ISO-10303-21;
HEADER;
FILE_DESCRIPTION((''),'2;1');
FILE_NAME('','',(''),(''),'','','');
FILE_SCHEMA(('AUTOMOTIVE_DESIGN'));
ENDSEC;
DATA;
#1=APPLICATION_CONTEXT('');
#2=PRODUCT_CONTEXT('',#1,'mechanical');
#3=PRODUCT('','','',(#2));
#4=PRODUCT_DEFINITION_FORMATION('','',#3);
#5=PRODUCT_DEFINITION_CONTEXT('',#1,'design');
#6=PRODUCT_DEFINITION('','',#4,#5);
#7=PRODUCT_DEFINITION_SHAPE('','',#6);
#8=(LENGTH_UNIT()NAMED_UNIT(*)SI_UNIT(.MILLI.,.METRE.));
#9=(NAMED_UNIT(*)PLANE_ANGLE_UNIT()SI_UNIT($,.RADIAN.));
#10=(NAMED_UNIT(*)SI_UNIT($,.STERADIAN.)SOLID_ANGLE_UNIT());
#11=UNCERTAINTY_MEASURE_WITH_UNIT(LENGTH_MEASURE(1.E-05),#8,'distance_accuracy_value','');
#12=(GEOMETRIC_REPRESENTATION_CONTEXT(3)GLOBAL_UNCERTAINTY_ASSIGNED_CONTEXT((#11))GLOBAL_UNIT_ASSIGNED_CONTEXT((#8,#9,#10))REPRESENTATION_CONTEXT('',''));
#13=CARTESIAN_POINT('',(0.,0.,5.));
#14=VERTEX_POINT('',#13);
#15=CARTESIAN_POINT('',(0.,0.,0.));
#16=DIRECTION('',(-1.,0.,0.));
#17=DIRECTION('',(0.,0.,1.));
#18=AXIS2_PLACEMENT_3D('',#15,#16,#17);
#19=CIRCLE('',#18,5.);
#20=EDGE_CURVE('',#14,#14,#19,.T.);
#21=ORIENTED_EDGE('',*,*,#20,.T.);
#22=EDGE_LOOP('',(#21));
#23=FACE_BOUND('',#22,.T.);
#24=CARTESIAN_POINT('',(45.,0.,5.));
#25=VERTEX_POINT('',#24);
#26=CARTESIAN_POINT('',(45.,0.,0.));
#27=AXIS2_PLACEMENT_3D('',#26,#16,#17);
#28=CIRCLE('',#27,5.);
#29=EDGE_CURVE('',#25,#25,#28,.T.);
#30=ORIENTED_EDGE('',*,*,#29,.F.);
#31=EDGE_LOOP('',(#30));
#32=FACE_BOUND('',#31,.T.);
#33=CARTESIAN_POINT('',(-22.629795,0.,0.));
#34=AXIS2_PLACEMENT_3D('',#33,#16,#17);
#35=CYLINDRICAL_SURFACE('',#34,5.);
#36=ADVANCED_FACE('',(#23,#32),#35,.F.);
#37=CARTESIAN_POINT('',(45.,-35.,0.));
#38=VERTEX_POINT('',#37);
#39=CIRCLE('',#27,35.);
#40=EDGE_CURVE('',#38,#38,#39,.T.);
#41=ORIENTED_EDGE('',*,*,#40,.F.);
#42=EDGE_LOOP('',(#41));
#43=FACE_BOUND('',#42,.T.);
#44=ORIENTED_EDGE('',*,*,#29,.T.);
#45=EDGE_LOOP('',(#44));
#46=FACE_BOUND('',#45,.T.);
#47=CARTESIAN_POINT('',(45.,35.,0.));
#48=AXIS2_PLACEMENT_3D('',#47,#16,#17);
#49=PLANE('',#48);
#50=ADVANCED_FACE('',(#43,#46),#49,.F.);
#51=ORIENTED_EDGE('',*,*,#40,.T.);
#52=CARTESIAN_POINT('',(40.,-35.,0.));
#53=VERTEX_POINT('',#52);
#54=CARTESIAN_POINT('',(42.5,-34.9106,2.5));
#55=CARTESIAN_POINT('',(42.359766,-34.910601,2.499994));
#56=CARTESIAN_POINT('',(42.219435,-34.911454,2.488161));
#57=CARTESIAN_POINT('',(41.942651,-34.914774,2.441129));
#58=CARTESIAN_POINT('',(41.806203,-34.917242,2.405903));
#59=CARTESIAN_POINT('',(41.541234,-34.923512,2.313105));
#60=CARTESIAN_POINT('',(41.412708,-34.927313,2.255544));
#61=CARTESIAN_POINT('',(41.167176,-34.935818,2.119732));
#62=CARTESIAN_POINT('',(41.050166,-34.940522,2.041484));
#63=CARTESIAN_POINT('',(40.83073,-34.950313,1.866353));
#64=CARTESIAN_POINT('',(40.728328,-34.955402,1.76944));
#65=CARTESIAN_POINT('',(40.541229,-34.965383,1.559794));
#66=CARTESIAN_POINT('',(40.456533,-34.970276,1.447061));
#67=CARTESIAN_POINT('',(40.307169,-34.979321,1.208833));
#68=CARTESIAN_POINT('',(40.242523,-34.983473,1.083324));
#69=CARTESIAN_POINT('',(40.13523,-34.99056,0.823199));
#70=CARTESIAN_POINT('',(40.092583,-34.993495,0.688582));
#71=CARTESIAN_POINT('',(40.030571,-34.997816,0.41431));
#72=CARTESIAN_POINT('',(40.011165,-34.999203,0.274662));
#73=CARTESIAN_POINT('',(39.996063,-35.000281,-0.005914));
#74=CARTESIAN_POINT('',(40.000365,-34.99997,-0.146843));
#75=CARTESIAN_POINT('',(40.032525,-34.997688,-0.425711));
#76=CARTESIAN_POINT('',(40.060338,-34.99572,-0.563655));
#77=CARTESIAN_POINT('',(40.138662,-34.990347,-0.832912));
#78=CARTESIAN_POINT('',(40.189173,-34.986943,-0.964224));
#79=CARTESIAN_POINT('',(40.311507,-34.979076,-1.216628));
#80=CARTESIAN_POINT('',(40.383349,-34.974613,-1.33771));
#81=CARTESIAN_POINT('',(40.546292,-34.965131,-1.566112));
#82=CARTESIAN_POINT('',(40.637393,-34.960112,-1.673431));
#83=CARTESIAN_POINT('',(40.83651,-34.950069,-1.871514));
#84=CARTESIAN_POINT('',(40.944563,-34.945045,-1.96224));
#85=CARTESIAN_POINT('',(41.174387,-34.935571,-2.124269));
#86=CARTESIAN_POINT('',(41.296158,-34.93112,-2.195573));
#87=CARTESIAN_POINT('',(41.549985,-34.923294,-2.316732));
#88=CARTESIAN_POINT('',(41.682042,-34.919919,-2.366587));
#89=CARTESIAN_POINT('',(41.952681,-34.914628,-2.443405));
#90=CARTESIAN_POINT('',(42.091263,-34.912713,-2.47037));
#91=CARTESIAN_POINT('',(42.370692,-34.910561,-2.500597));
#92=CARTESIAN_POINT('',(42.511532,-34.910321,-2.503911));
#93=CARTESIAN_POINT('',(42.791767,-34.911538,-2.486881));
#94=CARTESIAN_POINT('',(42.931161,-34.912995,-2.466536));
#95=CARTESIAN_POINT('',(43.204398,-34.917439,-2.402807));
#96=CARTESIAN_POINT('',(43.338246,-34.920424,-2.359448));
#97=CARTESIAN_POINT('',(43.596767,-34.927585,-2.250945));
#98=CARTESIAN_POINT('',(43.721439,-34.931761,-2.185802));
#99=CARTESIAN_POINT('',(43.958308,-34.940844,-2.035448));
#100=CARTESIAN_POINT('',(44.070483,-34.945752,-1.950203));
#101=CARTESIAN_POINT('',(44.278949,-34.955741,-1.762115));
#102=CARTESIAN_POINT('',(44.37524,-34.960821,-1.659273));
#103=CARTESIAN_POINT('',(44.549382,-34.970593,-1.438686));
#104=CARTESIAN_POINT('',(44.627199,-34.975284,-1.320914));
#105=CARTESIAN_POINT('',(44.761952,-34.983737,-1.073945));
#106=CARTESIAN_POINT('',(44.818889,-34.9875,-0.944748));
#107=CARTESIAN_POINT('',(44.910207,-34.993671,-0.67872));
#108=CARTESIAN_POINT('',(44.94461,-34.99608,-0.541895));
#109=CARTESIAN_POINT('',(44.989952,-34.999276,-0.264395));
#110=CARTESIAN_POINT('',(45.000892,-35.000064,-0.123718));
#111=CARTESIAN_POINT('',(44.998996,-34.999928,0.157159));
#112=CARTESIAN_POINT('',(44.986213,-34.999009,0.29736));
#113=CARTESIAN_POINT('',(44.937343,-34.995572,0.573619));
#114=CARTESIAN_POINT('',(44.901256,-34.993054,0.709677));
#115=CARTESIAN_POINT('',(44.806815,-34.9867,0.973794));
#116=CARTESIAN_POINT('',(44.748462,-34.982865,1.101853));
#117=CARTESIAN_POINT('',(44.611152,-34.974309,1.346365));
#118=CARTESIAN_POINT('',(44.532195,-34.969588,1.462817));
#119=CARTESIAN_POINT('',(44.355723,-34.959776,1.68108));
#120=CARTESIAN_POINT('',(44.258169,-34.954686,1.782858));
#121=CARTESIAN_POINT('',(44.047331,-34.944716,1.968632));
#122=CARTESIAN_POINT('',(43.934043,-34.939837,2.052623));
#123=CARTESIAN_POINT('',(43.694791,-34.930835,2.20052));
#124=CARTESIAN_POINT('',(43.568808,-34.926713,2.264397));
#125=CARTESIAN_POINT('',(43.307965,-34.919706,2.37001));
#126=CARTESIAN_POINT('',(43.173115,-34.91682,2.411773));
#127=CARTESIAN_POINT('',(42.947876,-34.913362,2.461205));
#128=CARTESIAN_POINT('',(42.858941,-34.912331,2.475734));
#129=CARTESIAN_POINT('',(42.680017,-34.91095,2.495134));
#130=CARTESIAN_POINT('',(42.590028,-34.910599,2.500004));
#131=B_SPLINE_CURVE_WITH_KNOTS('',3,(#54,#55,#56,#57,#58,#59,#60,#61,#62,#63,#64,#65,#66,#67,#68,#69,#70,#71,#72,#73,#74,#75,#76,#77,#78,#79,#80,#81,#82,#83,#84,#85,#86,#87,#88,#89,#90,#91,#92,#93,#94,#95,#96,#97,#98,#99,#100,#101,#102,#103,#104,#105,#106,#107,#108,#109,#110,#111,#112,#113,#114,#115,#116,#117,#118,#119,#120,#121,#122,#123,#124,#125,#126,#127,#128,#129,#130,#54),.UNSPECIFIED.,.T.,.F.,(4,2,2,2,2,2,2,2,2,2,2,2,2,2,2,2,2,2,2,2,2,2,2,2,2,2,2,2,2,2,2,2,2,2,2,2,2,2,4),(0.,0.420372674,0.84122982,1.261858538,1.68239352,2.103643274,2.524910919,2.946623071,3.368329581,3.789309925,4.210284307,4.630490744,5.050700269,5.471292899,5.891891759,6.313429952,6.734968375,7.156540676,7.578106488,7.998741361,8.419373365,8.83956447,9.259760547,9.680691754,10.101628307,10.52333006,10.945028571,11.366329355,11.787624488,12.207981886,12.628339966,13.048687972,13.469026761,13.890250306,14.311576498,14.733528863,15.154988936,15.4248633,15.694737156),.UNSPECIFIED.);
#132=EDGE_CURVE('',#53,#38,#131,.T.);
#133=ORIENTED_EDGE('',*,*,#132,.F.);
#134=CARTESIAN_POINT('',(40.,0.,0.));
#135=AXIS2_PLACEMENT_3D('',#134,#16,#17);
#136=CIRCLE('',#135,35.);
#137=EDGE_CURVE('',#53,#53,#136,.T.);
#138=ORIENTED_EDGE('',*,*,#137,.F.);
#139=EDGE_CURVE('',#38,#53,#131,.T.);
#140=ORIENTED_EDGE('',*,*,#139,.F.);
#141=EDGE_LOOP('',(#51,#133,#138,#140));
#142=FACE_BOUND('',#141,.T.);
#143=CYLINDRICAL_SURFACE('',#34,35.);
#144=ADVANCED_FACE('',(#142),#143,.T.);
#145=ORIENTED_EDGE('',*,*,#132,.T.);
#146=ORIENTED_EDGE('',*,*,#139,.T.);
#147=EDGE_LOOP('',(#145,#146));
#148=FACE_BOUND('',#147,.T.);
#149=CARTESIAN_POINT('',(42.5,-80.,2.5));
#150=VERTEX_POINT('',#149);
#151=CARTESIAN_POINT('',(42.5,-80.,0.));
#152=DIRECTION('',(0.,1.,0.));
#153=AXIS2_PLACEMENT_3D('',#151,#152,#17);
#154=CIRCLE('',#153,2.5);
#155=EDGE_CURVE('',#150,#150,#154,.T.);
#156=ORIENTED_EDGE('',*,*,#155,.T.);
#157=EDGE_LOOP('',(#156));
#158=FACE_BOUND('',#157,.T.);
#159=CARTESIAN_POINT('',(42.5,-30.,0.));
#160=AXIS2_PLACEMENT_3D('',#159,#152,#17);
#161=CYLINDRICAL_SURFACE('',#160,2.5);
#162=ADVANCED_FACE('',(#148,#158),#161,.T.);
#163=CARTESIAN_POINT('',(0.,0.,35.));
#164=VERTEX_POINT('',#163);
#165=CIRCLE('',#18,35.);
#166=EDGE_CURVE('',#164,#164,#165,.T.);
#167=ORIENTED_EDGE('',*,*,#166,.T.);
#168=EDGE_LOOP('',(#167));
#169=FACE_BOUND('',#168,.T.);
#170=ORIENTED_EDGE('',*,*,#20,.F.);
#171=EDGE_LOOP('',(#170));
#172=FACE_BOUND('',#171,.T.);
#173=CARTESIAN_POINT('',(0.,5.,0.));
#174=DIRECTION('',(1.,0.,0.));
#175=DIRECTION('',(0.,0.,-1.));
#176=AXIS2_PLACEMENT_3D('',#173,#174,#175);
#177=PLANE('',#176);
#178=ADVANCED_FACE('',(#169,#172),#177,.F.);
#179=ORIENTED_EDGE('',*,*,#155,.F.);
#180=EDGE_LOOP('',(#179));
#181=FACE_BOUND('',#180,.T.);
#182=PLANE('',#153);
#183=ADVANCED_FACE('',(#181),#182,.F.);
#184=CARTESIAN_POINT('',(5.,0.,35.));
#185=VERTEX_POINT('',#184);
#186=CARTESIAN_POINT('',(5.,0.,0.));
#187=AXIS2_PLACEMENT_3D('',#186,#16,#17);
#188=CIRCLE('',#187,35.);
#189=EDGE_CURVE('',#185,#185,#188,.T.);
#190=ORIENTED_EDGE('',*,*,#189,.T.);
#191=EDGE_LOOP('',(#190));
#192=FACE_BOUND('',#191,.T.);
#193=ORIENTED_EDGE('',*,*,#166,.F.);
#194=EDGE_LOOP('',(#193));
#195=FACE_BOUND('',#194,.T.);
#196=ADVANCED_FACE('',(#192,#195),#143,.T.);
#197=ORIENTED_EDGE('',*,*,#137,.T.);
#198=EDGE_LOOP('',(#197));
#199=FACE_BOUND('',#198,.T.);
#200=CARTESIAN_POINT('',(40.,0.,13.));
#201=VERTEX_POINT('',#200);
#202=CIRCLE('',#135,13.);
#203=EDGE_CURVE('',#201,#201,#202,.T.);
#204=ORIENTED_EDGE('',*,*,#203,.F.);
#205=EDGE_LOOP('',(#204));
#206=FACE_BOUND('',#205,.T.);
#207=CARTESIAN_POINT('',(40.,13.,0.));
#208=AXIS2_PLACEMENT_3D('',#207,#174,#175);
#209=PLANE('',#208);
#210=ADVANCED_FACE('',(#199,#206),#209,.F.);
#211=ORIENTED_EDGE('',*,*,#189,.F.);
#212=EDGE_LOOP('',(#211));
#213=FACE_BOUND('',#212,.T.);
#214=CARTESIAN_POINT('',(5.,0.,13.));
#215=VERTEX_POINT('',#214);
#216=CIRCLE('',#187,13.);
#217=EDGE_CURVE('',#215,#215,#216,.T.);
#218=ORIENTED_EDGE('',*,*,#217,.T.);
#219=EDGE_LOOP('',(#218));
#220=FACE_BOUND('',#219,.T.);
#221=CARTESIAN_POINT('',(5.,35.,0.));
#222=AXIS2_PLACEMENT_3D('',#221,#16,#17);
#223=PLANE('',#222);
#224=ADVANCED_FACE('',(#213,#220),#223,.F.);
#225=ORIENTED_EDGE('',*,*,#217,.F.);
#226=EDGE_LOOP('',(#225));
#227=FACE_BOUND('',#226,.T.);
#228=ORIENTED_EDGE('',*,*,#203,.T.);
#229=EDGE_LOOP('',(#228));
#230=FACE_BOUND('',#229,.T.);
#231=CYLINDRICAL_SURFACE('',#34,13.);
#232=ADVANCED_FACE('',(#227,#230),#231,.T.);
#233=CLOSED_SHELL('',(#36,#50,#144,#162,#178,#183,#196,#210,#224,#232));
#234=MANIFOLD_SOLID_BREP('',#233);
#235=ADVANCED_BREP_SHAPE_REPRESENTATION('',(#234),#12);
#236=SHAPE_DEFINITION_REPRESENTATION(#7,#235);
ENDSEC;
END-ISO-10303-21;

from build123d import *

# Parameters (mm, degrees)
SKIZZE3_W = 2.5
SKIZZE3_H = 50


with BuildPart() as part:
    # Skizze1 → Rotation1 (revolve)
    with BuildSketch(Plane.XY, mode=Mode.PRIVATE) as rotation1_sk:
        Polygon((0, 5), (0, 35), (5, 35), (5, 13), (40, 13), (40, 35), (45, 35), (45, 5), align=None)
    revolve(rotation1_sk.sketch.rotate(Axis((-22.629795441, 0, 0), (1, 0, 0)), 90), axis=Axis((-22.629795441, 0, 0), (1, 0, 0)))  # turned: the seam where the file's is

    # Skizze3 → Rotation2 (revolve)
    with BuildSketch(Plane(origin=(42.5, 0, 0), x_dir=(0, 0, -1), z_dir=(1, 0, 0)), mode=Mode.PRIVATE) as rotation2_sk:
        with Locations((1.25, -55)):
            Rectangle(SKIZZE3_W, SKIZZE3_H)
    revolve(rotation2_sk.sketch.rotate(Axis((42.5, -30, 0), (0, -1, 0)), 180), axis=Axis((42.5, -30, 0), (0, -1, 0)))  # turned: the seam where the file's is


solid = part.part
